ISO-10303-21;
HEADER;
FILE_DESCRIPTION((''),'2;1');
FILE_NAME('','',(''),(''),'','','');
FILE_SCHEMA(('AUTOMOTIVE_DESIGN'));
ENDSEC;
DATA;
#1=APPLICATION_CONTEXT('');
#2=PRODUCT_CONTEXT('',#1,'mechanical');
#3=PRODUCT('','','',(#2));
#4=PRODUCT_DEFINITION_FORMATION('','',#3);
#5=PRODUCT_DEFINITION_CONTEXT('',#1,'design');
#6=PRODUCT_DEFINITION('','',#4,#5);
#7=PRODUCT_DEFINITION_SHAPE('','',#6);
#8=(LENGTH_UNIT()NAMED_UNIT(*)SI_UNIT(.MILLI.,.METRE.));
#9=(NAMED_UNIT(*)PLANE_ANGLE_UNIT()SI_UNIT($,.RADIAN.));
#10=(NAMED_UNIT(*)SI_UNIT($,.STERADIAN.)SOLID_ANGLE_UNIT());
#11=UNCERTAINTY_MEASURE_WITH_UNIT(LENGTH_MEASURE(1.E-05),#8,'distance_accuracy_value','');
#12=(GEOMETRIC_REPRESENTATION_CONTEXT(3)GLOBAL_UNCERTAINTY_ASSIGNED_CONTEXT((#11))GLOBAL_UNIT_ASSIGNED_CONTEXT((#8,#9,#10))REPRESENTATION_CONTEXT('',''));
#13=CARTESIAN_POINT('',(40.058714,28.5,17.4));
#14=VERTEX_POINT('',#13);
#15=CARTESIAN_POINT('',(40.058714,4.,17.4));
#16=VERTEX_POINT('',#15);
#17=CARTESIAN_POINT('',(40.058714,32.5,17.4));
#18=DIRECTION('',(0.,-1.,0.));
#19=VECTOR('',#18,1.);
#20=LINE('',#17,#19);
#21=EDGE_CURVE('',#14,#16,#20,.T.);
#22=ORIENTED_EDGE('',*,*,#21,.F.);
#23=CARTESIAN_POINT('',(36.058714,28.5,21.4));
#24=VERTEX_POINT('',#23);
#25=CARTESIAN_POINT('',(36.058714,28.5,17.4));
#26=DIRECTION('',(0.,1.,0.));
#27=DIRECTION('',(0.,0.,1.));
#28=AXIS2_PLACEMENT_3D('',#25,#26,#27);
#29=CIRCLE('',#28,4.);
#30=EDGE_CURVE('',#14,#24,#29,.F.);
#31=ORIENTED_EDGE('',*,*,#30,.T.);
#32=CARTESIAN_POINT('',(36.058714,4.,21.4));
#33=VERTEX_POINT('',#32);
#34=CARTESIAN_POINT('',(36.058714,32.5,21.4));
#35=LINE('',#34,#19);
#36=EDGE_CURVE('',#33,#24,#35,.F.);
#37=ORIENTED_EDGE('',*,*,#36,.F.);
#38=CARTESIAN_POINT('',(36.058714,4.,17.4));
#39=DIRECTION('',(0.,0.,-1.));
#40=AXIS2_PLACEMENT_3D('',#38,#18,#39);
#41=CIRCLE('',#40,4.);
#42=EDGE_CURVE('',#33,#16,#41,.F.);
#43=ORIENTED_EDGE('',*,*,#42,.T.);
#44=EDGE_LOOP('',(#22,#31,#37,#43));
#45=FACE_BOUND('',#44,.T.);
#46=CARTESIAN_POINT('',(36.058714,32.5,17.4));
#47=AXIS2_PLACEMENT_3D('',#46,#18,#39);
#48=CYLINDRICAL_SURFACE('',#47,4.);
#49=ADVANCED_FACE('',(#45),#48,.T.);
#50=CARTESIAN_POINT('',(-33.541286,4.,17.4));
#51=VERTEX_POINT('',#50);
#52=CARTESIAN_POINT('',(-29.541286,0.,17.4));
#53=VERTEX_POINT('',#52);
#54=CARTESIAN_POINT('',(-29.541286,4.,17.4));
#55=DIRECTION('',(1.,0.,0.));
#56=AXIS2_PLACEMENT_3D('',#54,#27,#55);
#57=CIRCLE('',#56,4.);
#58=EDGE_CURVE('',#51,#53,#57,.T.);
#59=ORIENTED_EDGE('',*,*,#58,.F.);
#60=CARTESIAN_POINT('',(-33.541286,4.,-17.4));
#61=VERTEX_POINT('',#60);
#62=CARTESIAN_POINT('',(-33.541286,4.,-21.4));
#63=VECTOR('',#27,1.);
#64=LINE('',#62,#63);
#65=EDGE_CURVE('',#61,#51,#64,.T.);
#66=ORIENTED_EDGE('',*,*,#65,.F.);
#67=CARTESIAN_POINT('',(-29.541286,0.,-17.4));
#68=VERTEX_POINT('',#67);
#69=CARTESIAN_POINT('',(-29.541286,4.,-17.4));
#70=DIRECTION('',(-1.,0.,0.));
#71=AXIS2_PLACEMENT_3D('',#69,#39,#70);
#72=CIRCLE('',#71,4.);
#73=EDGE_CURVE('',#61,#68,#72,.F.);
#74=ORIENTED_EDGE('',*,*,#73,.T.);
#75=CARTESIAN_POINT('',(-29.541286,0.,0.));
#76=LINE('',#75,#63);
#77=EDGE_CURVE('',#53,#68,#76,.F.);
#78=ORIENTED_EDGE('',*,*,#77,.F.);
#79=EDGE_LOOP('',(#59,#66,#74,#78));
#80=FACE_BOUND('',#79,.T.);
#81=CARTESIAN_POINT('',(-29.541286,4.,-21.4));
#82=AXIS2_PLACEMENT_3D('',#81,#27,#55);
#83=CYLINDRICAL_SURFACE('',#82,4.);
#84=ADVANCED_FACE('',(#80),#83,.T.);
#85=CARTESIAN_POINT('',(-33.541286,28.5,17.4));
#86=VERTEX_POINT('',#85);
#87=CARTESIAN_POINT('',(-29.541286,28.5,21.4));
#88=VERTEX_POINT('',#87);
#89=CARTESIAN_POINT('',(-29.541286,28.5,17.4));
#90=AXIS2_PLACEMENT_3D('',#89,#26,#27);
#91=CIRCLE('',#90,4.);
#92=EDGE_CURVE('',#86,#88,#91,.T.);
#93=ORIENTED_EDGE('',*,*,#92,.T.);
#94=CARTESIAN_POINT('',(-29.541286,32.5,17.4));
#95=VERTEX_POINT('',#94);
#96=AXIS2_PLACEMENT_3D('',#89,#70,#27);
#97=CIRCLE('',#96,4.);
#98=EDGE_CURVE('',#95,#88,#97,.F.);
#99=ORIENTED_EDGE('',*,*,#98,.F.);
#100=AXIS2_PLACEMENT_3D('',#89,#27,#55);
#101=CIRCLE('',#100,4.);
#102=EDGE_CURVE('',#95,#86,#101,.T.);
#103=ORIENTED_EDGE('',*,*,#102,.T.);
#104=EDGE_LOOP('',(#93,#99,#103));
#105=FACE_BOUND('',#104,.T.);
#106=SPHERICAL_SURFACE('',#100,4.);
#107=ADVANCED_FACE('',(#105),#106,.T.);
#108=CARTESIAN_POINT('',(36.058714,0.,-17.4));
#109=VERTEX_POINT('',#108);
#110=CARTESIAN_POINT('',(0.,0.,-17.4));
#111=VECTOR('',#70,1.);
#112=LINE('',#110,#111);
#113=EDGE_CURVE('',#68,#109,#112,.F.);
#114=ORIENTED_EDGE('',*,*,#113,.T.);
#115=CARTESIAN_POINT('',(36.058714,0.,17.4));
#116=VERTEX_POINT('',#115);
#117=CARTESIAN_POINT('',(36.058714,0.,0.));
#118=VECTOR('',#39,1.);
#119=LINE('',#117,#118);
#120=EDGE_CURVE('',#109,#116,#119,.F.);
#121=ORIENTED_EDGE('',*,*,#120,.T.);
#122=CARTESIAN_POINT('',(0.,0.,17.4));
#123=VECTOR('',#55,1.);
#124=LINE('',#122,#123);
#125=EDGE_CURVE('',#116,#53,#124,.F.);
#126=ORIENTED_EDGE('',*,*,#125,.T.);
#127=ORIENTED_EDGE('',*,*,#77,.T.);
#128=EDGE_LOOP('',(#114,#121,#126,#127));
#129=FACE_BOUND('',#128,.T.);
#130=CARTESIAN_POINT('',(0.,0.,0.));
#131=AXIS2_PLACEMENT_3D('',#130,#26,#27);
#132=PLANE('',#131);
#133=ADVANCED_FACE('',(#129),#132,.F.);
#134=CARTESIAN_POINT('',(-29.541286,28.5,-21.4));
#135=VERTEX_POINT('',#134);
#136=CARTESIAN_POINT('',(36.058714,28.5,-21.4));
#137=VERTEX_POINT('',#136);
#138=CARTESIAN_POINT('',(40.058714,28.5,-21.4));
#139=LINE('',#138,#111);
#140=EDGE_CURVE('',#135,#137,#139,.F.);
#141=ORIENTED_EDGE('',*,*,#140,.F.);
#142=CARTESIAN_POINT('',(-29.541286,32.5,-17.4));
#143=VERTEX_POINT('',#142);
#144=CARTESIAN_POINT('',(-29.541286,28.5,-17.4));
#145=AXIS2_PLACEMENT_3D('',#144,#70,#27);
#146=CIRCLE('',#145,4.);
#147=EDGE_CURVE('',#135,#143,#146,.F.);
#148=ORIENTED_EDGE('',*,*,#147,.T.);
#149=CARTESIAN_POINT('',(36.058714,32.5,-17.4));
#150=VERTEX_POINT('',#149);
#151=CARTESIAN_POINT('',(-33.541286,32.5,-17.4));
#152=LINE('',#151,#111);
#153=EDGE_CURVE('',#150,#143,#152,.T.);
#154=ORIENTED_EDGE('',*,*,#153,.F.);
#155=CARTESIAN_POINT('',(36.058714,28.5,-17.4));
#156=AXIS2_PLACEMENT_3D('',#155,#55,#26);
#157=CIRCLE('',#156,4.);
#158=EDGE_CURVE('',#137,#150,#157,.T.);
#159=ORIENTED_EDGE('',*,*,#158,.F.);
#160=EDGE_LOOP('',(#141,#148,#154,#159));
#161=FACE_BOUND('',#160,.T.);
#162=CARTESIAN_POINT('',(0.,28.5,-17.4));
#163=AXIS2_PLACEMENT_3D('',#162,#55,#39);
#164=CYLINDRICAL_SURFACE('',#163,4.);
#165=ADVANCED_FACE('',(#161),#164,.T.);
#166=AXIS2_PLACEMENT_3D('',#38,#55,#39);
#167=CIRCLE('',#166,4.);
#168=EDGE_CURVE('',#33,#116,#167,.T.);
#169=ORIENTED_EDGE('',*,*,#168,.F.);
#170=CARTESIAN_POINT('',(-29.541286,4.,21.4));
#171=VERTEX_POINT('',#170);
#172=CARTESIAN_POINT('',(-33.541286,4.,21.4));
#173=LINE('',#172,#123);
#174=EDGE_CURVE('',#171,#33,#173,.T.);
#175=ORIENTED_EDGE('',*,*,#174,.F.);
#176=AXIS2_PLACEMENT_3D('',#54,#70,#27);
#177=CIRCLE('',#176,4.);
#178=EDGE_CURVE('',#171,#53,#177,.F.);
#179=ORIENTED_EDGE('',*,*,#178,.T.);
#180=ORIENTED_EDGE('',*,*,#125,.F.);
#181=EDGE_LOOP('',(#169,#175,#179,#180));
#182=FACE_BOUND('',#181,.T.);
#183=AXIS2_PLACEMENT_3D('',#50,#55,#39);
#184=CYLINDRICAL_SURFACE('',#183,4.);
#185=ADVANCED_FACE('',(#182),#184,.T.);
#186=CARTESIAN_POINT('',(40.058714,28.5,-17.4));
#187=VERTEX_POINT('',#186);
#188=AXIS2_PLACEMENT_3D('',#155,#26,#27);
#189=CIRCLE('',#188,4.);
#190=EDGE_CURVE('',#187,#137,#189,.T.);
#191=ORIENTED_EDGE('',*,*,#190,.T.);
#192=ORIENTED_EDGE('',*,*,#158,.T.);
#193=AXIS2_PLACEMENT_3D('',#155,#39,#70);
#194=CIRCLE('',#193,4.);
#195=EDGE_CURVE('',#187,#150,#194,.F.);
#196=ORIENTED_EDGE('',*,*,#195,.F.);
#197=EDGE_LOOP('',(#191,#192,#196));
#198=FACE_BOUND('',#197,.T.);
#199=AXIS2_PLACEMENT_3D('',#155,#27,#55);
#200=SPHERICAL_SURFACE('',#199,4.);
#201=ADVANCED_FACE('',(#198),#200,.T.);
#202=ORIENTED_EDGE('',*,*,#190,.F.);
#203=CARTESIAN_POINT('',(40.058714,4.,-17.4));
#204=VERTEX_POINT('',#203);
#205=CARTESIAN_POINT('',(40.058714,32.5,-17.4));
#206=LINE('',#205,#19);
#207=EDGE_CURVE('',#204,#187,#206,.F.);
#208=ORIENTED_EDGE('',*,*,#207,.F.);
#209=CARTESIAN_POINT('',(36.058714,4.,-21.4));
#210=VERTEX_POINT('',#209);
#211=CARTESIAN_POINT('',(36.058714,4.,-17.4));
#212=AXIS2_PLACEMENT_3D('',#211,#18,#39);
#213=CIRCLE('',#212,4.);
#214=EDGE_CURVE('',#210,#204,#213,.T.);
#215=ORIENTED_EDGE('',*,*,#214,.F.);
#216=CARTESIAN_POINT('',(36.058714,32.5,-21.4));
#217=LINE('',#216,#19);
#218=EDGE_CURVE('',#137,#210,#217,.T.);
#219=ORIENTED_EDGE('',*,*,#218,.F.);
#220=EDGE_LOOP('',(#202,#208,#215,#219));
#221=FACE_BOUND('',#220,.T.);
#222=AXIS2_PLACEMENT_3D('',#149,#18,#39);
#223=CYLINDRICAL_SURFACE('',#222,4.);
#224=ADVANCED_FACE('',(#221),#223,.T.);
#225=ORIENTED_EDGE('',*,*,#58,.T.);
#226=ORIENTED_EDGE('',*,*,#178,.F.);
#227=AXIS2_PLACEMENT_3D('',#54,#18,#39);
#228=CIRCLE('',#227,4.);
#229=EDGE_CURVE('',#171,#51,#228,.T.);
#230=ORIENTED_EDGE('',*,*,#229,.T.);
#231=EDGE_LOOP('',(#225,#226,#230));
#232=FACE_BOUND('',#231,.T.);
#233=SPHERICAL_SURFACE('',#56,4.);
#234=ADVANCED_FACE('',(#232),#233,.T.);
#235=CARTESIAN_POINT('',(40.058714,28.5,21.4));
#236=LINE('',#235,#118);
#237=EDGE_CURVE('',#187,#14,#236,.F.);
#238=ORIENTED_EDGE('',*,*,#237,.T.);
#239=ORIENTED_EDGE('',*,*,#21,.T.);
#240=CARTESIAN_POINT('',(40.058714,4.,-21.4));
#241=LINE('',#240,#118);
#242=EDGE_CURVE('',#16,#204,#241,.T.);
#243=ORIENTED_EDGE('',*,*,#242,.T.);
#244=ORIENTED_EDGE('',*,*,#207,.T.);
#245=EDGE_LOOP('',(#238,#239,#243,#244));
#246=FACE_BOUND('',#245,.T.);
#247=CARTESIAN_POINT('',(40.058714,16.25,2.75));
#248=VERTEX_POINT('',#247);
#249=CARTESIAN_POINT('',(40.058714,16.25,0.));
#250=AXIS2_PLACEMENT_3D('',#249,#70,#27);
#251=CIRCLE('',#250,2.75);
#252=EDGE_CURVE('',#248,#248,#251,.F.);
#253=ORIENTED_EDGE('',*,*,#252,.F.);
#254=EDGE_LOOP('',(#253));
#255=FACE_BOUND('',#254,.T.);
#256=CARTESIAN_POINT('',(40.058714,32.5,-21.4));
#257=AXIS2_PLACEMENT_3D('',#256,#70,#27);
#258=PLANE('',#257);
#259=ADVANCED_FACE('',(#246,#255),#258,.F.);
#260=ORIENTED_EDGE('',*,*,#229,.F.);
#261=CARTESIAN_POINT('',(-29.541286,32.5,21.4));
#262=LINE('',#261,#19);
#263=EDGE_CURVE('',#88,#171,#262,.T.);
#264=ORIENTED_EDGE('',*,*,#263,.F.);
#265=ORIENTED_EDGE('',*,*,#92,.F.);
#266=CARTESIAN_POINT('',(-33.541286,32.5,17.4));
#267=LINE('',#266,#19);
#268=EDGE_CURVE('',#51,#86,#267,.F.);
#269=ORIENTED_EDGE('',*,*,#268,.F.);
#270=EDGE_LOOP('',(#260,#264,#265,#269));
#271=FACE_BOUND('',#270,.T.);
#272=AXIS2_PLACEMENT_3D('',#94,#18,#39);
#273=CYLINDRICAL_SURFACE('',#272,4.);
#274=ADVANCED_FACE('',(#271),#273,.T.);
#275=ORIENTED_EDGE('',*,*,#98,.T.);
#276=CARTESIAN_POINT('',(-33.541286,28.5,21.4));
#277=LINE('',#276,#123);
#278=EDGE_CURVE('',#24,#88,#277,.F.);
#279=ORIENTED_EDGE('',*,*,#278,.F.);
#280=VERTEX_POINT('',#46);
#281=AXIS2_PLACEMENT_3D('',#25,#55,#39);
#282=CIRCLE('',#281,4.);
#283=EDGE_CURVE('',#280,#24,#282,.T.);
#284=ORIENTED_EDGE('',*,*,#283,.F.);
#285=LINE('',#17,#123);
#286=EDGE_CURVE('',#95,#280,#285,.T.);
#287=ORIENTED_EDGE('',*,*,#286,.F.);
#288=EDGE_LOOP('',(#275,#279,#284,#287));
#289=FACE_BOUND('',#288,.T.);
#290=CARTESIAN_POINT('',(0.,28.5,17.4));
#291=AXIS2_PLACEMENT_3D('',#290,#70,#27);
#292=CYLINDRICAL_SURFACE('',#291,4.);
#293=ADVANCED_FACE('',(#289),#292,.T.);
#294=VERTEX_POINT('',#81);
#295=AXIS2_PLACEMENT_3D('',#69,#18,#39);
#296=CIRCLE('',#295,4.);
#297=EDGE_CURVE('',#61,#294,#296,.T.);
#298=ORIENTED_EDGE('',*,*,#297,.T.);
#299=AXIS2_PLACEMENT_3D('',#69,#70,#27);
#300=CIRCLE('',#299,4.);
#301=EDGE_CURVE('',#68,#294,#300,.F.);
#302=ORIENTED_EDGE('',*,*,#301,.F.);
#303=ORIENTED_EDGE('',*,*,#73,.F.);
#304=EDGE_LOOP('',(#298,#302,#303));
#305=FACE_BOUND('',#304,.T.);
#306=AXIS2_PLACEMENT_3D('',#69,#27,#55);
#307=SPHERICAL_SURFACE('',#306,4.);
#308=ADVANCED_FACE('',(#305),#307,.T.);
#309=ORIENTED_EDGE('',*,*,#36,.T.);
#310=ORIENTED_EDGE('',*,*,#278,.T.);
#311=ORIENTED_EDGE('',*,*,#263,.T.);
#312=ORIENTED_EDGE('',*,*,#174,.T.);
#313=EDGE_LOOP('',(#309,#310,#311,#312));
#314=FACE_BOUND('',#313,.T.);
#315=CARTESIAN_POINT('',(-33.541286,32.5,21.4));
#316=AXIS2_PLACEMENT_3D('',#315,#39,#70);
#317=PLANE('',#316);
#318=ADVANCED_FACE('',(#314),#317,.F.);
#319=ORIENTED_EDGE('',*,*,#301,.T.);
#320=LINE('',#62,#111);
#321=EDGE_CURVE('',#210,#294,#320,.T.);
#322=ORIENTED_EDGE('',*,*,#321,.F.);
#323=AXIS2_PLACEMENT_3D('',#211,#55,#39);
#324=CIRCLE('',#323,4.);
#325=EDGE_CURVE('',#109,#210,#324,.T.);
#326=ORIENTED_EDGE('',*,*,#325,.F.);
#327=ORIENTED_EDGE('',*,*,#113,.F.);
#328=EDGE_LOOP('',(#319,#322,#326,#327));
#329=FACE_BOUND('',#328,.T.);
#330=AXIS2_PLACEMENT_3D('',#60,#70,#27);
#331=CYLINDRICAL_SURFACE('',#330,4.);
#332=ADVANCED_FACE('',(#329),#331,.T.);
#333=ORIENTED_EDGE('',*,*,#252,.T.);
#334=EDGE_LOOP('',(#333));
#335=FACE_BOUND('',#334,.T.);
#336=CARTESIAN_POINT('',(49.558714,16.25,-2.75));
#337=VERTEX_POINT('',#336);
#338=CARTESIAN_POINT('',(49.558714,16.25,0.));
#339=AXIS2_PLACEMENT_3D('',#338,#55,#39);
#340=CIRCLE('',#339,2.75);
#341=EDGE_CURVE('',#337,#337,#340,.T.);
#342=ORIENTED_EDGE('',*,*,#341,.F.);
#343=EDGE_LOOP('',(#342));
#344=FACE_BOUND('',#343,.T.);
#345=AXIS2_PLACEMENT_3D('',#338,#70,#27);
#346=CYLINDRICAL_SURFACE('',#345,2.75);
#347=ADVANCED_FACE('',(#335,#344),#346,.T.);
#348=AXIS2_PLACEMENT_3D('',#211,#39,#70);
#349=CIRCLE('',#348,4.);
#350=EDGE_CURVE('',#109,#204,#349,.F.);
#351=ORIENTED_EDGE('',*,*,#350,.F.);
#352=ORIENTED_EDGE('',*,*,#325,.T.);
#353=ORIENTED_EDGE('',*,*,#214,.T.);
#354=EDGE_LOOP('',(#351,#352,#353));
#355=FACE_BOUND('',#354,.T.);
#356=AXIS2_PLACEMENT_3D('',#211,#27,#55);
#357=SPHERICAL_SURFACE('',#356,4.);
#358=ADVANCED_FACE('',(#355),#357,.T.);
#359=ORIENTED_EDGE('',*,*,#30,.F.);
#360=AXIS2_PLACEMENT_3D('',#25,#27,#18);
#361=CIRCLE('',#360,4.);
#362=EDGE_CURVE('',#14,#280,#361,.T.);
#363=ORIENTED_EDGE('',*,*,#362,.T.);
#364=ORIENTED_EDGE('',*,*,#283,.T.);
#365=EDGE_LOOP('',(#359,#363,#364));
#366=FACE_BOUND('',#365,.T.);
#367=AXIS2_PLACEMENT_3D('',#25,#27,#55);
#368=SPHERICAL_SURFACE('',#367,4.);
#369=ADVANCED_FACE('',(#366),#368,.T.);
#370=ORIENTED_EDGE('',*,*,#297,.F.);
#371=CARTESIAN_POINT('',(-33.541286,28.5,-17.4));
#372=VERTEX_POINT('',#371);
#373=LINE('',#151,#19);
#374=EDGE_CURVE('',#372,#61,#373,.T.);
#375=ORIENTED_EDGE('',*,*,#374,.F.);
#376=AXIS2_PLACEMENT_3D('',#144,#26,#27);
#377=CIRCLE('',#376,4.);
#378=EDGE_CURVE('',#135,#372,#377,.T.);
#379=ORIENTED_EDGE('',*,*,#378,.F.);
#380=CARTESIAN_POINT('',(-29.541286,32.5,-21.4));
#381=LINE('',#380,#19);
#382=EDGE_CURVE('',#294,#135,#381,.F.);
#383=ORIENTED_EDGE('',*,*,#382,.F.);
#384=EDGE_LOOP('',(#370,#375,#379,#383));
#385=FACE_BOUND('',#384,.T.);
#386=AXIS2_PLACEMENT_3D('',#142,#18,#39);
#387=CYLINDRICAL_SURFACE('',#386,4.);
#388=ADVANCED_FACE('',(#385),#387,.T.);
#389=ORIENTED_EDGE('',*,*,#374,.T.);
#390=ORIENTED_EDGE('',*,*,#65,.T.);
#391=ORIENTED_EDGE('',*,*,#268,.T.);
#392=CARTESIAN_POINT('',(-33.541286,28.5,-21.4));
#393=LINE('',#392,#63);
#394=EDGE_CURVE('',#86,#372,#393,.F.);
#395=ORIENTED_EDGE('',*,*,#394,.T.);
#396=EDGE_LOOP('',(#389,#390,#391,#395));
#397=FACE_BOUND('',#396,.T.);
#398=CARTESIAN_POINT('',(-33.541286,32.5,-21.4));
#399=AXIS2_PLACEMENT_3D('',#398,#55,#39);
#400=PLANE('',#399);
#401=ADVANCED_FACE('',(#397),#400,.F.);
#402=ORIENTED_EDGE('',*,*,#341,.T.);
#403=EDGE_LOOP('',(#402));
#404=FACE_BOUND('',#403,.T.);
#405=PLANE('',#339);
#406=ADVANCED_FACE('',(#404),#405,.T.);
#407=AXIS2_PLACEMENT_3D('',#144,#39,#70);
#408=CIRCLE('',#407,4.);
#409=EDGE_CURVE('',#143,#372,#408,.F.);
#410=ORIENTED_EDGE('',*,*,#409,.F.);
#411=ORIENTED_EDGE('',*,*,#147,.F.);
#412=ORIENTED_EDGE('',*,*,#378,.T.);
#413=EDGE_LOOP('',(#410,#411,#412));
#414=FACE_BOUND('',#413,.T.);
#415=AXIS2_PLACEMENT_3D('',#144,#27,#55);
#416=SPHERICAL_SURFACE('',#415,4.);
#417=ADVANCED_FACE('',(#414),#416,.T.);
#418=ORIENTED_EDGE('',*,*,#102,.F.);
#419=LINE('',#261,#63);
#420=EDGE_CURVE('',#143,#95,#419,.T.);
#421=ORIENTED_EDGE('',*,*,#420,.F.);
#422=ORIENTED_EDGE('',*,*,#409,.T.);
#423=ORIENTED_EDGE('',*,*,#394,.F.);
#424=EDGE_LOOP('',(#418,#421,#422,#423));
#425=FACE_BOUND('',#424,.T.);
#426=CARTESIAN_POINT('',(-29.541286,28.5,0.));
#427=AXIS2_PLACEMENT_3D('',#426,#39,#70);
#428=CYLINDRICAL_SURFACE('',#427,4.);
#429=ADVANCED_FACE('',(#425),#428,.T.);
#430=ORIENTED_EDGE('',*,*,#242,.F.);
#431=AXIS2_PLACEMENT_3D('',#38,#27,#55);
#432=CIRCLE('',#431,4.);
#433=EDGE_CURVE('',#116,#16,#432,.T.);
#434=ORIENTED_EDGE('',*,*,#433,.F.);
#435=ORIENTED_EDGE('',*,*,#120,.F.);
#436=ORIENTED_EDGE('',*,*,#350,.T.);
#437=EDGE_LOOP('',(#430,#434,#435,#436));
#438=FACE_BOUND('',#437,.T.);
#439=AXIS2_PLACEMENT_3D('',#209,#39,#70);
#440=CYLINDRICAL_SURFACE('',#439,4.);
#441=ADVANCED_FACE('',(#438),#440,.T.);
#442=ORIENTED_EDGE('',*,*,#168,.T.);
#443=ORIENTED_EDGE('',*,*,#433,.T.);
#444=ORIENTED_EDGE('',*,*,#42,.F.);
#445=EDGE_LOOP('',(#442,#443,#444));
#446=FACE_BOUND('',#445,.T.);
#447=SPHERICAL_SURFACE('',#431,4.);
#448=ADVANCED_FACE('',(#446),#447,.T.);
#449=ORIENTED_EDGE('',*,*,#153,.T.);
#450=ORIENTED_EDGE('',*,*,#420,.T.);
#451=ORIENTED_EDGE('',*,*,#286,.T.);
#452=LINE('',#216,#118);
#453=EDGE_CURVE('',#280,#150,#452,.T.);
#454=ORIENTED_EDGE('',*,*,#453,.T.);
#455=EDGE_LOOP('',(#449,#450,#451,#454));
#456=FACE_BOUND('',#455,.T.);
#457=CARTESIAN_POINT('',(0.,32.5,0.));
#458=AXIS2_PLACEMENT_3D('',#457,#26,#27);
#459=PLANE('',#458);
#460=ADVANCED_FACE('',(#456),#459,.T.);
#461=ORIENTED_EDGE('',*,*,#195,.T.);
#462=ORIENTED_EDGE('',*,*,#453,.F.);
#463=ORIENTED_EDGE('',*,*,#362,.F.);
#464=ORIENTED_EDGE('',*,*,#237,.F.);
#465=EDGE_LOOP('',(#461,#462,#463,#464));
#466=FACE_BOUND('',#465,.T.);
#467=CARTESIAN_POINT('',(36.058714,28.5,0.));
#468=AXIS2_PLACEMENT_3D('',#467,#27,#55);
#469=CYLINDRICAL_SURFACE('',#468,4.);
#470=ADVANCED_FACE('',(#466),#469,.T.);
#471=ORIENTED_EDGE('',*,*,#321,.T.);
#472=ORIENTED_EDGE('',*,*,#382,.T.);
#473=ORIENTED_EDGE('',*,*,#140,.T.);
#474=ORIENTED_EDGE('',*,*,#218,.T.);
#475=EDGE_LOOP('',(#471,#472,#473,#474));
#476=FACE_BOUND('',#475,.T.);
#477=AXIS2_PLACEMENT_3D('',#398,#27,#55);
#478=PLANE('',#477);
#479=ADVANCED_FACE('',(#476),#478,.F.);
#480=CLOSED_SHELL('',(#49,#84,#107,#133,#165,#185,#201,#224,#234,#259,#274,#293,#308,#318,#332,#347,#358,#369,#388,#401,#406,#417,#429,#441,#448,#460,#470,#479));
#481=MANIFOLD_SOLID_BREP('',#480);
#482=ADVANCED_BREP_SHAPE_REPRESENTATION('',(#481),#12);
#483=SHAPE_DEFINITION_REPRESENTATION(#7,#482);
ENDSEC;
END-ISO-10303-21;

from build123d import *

# Parameters (mm, degrees)
SKETCH1_W           = 73.6
SKETCH1_H           = 42.8
BOSS_EXTRUDE1_DEPTH = 32.5
SKETCH2_R           = 2.75
BOSS_EXTRUDE2_DEPTH = 9.5
FILLET1_R           = 4


with BuildPart() as part:
    # Sketch1 → Boss-Extrude1 (new body)
    with BuildSketch(Plane(origin=(0, 0, 0), x_dir=(1, 0, 0), z_dir=(0, 1, 0))):
        with Locations((3.258713578, 0)):
            Rectangle(SKETCH1_W, SKETCH1_H)
    extrude(amount=BOSS_EXTRUDE1_DEPTH)

    # Sketch2 → Boss-Extrude2 (add)
    with BuildSketch(Plane(origin=(40.058713578, 0, 0), x_dir=(0, 0, -1), z_dir=(1, 0, 0))):
        with Locations((0, 16.25)):
            Circle(SKETCH2_R)
    extrude(amount=BOSS_EXTRUDE2_DEPTH)

    # Fillet1
    fillet1_edges = [part.edges().sort_by_distance(p)[0] for p in [
        (-33.541286422, 32.5, 0),
        (3.258713578, 32.5, 21.4),
        (40.058713578, 32.5, 0),
        (3.258713578, 0, 21.4),
        (-33.541286422, 0, 0),
        (3.258713578, 0, -21.4),
        (40.058713578, 0, 0),
        (40.058713578, 16.25, 21.4),
        (-33.541286422, 16.25, 21.4),
        (-33.541286422, 16.25, -21.4),
        (40.058713578, 16.25, -21.4),
        (3.258713578, 32.5, -21.4),
    ]]
    fillet(fillet1_edges, radius=FILLET1_R)


solid = part.part
